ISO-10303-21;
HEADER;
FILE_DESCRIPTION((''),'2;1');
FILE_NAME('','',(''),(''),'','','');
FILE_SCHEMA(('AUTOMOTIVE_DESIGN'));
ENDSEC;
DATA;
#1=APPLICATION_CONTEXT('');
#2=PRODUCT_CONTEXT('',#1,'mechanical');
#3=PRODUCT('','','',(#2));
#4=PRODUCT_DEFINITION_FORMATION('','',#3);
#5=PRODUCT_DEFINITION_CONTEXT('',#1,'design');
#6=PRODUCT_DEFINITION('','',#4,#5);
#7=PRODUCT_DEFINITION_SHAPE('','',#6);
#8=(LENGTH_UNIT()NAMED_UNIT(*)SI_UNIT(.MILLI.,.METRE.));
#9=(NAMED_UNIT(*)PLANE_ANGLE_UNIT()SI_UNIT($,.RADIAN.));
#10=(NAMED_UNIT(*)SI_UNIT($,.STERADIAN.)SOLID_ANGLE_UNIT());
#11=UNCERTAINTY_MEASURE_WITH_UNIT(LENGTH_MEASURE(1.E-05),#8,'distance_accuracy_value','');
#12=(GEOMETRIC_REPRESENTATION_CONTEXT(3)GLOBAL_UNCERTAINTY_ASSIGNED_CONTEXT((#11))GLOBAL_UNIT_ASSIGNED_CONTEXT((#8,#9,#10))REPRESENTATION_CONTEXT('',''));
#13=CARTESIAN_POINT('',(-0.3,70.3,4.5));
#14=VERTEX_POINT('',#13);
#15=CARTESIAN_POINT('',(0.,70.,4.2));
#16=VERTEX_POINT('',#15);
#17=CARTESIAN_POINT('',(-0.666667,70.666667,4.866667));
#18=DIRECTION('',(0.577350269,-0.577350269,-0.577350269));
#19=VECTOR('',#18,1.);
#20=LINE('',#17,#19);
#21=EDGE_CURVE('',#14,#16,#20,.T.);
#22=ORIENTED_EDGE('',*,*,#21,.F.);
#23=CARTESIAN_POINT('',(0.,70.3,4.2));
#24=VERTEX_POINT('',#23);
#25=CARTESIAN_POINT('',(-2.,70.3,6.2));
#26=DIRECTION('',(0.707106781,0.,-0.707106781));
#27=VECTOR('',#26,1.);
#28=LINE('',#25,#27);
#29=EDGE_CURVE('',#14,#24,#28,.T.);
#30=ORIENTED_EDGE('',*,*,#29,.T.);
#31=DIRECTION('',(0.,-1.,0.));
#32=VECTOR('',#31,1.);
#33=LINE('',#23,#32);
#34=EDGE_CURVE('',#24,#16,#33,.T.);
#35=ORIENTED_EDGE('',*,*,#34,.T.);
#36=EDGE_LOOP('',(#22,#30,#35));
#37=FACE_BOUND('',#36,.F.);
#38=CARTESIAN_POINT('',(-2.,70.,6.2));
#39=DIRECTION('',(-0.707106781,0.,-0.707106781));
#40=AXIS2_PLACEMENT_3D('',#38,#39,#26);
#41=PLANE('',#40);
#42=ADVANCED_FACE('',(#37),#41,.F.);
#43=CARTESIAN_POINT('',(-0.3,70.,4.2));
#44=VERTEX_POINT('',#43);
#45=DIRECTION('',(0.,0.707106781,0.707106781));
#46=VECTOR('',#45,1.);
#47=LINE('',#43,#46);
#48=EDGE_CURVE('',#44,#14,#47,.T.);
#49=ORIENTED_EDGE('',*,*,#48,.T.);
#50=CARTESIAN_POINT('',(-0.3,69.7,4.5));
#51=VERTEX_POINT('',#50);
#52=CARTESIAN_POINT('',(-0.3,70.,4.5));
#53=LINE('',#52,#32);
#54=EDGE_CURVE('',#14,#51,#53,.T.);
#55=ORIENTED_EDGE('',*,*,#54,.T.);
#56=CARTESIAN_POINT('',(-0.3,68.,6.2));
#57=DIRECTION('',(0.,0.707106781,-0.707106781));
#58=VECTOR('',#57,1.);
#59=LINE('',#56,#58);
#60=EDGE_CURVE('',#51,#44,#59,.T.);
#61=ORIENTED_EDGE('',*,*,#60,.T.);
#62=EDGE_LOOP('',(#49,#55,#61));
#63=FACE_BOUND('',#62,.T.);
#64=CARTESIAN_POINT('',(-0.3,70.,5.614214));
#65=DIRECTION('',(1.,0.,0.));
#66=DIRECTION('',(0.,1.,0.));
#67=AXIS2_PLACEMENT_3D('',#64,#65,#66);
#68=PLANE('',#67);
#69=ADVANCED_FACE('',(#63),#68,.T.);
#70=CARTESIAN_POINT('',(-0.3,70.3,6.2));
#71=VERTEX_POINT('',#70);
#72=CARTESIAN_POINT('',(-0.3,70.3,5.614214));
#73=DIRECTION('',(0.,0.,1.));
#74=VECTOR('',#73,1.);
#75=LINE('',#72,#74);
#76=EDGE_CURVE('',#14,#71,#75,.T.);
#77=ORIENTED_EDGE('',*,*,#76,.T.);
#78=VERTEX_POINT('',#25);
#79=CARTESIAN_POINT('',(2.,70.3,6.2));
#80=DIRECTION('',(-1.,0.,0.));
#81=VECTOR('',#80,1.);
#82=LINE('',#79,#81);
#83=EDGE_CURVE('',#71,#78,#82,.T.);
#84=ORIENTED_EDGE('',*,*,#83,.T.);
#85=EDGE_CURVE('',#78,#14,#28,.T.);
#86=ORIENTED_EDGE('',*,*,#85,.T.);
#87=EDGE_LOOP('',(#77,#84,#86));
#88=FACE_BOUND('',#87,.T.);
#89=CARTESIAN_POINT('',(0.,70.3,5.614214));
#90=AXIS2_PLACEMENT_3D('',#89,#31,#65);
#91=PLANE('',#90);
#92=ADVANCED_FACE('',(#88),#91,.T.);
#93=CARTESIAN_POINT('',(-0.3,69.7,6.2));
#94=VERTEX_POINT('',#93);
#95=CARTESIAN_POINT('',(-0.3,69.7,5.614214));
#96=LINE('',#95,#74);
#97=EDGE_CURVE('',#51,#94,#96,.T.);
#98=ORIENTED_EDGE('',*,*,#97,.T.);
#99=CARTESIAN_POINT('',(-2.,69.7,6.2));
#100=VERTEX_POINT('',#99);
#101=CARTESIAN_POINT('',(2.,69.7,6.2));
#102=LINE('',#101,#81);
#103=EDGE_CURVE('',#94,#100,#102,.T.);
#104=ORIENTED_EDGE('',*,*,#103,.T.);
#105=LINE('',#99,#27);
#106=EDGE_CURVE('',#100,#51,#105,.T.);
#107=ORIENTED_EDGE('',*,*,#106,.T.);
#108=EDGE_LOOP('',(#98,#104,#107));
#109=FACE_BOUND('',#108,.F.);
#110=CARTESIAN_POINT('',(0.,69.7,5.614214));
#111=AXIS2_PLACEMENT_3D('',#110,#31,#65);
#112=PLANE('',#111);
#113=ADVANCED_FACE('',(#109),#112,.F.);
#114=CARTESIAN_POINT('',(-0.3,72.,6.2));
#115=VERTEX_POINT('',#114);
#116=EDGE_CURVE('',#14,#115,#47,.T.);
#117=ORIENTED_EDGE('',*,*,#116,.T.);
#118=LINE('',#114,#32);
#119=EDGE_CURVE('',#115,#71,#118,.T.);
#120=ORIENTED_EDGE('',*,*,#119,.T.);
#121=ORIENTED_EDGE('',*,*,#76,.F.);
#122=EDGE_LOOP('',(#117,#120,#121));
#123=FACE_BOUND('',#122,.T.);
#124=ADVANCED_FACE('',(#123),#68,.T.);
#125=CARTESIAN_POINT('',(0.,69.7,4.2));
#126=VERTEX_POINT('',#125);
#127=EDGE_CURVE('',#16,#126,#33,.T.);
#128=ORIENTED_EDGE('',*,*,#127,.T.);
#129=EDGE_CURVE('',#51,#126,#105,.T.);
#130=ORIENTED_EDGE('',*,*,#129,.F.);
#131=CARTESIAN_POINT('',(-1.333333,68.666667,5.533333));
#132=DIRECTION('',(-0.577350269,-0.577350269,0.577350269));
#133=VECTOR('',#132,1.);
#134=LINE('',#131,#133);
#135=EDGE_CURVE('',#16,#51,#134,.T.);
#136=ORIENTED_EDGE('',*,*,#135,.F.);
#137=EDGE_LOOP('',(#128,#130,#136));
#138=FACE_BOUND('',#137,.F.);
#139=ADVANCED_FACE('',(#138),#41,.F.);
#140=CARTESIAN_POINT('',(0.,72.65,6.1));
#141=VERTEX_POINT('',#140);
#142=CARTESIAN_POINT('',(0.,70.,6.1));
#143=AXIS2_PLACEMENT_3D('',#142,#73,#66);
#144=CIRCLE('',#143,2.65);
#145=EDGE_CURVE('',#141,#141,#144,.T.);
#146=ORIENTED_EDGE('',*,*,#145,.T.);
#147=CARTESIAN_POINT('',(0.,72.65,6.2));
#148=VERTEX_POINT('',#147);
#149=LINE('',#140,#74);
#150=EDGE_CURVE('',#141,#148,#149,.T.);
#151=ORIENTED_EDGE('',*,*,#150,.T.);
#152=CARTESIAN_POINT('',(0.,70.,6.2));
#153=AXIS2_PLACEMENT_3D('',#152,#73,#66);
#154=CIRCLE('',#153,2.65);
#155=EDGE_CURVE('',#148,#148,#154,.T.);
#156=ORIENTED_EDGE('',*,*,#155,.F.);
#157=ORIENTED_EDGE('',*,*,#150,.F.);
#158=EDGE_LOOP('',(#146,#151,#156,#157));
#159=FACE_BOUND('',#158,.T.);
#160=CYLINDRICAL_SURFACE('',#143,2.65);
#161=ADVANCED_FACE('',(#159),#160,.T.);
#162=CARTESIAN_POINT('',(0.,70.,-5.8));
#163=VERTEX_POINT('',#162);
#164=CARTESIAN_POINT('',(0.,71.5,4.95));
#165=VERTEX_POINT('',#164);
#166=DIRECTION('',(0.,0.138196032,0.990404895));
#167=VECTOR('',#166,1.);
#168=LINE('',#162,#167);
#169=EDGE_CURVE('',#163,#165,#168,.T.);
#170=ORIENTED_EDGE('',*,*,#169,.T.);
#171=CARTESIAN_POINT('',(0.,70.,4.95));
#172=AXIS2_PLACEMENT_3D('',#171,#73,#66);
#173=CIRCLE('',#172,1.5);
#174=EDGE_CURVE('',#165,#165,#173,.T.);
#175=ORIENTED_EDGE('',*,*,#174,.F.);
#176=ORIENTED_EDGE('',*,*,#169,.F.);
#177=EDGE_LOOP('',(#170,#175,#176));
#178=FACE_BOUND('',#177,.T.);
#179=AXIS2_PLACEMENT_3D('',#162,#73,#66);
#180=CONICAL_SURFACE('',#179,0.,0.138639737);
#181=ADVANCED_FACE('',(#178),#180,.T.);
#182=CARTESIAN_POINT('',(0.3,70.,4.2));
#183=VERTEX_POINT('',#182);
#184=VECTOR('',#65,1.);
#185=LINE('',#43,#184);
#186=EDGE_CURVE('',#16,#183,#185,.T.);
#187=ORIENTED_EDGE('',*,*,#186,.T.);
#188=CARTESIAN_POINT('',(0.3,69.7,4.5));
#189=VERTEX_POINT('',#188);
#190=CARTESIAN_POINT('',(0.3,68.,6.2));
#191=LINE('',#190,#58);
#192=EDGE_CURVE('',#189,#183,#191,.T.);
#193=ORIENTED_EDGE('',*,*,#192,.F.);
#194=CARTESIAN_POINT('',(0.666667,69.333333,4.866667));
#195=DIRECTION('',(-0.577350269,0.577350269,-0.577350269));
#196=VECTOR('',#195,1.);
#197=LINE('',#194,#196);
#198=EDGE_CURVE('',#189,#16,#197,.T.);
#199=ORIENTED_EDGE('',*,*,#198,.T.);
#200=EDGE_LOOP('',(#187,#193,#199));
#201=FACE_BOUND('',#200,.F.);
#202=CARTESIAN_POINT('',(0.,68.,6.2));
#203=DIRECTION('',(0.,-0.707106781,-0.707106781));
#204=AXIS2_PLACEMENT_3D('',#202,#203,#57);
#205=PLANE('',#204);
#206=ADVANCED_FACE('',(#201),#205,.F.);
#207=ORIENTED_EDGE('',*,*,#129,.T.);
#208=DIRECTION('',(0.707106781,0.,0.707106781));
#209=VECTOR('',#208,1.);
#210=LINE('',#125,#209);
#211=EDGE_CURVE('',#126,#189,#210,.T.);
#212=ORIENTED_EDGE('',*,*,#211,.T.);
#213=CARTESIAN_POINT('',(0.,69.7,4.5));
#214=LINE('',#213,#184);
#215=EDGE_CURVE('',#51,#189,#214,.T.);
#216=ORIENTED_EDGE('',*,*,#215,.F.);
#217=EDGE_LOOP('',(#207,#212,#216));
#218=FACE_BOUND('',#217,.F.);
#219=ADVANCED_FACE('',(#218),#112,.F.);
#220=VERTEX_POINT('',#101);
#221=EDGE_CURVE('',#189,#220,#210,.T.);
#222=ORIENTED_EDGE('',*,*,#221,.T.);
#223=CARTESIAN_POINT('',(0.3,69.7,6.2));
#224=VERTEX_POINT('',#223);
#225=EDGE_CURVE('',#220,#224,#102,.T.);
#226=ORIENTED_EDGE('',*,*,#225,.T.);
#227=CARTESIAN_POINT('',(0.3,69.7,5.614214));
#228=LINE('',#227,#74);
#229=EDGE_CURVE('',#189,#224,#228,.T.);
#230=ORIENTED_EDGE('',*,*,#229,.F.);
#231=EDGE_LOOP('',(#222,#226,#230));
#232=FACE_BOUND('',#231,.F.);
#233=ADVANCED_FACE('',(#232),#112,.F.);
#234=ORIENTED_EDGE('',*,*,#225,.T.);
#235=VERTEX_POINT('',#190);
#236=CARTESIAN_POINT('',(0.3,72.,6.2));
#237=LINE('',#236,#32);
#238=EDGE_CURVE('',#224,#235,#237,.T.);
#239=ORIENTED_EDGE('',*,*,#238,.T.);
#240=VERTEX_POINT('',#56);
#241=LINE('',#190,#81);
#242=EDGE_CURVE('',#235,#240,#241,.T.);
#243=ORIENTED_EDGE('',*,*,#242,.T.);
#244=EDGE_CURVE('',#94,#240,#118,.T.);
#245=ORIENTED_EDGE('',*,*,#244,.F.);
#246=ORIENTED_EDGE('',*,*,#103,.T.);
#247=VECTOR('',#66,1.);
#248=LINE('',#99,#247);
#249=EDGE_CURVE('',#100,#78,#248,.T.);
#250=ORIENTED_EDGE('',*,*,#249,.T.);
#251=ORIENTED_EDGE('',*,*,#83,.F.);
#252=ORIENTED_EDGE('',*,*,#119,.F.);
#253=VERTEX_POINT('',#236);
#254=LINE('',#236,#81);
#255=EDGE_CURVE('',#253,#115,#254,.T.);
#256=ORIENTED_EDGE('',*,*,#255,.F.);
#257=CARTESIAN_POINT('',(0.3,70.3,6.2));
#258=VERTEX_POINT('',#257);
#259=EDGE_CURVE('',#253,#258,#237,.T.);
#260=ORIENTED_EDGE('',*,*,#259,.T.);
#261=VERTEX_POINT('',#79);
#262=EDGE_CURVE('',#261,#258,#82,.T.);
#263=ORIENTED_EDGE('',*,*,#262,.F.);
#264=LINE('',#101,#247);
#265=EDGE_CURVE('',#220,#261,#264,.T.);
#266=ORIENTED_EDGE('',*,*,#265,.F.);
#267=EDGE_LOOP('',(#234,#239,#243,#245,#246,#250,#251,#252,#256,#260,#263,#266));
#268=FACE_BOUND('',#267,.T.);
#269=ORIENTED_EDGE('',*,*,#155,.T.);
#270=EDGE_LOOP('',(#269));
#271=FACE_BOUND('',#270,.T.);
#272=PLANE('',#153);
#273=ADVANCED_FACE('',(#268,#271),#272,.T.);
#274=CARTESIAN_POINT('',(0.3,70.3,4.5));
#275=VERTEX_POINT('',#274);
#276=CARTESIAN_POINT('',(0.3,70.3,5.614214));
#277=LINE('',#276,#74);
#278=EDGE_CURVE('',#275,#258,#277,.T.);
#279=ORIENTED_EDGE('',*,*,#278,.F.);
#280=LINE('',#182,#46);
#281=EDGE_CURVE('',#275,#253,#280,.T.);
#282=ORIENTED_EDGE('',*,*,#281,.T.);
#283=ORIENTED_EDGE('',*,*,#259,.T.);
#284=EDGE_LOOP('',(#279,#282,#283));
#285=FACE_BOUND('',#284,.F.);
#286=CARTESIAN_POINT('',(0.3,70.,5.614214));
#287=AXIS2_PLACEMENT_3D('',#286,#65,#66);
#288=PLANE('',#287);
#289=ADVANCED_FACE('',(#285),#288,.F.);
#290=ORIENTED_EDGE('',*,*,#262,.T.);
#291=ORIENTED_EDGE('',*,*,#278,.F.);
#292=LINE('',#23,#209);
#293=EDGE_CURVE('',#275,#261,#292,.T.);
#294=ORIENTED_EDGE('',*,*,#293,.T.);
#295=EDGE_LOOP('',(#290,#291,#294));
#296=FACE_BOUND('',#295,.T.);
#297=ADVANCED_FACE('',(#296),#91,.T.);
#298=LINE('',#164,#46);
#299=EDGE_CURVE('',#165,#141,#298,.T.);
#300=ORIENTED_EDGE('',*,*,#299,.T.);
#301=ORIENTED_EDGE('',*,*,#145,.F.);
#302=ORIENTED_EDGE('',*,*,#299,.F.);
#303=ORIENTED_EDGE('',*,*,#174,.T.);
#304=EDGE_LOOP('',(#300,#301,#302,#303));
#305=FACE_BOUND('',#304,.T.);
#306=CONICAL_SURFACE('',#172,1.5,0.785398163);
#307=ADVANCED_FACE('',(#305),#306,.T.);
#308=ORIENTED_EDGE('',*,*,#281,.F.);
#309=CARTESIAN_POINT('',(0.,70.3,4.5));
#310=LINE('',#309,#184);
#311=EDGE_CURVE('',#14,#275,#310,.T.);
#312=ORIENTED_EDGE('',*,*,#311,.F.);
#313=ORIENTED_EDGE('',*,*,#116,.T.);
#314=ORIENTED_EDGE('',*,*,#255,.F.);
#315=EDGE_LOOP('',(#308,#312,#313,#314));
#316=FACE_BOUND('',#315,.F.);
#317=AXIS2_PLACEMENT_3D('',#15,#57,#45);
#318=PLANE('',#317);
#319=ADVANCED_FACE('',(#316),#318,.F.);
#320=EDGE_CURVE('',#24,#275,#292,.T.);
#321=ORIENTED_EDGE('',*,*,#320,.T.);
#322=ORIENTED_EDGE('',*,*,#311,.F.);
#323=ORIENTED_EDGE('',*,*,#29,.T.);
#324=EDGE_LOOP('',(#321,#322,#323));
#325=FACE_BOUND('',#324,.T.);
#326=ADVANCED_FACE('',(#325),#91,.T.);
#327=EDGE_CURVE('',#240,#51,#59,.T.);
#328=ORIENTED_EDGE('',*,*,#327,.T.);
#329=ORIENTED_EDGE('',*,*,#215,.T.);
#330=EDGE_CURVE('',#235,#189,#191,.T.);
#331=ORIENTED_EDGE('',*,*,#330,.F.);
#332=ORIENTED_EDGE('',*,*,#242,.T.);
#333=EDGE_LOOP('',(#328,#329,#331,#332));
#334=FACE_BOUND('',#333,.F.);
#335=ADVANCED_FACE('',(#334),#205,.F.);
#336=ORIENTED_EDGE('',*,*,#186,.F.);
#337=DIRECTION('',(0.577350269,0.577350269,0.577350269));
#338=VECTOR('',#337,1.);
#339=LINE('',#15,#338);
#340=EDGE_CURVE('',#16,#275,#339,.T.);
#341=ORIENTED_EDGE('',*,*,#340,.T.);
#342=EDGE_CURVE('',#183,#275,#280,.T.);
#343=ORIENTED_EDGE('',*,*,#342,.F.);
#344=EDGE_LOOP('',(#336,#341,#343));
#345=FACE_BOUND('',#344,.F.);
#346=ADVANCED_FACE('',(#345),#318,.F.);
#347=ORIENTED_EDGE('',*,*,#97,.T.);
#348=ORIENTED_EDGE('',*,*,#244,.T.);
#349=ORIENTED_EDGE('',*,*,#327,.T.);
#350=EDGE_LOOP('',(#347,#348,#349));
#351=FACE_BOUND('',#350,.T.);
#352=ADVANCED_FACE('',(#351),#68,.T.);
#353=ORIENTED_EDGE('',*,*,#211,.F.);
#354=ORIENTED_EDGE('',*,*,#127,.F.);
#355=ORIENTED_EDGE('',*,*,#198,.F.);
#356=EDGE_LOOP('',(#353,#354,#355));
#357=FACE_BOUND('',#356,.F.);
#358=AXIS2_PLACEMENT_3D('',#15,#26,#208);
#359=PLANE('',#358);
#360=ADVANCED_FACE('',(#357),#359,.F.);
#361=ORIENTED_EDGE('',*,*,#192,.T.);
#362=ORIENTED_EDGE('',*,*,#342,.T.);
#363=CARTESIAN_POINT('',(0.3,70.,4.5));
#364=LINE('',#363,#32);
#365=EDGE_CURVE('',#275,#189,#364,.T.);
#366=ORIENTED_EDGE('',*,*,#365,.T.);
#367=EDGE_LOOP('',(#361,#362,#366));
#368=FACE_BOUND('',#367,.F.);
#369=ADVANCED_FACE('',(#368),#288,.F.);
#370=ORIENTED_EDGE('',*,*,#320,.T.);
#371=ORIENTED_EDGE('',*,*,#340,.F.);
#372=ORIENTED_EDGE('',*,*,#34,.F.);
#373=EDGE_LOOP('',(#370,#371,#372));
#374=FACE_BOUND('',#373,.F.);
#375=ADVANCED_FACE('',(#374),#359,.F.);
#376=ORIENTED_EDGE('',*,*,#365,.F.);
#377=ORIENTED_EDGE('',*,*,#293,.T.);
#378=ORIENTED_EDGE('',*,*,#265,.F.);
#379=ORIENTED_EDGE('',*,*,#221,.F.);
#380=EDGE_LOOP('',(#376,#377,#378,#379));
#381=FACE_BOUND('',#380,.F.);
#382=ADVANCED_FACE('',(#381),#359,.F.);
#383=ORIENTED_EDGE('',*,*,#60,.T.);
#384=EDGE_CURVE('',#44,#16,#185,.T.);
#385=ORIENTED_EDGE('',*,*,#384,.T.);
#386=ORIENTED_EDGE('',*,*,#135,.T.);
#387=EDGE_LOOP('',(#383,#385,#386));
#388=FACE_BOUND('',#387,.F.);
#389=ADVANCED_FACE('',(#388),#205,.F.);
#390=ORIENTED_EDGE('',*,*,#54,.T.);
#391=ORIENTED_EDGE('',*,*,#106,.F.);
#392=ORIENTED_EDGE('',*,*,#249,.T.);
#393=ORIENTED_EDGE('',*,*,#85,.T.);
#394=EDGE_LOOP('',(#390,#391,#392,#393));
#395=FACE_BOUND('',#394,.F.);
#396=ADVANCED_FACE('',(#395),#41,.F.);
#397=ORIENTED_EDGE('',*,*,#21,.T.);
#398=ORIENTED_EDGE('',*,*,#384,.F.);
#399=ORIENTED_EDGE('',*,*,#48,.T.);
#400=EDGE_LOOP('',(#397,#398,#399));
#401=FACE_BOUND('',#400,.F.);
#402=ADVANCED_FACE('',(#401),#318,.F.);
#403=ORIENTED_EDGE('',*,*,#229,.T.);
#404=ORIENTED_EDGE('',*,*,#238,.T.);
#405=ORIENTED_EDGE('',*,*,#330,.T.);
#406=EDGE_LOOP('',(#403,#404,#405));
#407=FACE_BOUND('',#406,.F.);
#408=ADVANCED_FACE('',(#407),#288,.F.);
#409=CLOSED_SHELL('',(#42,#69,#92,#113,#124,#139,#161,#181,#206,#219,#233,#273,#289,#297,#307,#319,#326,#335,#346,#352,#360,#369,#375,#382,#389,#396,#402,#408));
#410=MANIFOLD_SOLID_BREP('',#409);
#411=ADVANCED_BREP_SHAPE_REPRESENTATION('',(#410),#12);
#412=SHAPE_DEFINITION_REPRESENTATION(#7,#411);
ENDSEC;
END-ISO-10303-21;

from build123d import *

# Parameters (mm, degrees)
POCKET003_DEPTH       = 0.3
POLARPATTERN002_COUNT = 2
POLARPATTERN002_ANGLE = 90


with BuildPart() as part:
    # Sketch017 → Revolution002 (revolve)
    with BuildSketch(Plane.YZ):
        Polygon((0, 0), (0, -12), (1.5, -1.25), (2.65, -0.1), (2.65, 0), align=None)
    revolve(axis=Axis((0, 0, 0), (0, 0, 1)))

    # Sketch018 → Pocket003 (cut, symmetric)
    with BuildSketch(Plane.XZ):
        Polygon((-2, 0), (0, -2), (2, 0), align=None)
    pocket003 = extrude(amount=POCKET003_DEPTH, both=True, mode=Mode.SUBTRACT)

    # PolarPattern002: Pocket003 ×2 about axis
    polarpattern002_axis = Axis((0, 0, 0), (0, 0, 1))
    for i in range(1, POLARPATTERN002_COUNT):
        add(pocket003.rotate(polarpattern002_axis, i * POLARPATTERN002_ANGLE / (POLARPATTERN002_COUNT - 1)), mode=Mode.SUBTRACT)


with BuildPart() as part_1:
    # Body013 placement: moved
    add(part.part.moved(Location((0, 70, 6.2))))


solid = part_1.part
